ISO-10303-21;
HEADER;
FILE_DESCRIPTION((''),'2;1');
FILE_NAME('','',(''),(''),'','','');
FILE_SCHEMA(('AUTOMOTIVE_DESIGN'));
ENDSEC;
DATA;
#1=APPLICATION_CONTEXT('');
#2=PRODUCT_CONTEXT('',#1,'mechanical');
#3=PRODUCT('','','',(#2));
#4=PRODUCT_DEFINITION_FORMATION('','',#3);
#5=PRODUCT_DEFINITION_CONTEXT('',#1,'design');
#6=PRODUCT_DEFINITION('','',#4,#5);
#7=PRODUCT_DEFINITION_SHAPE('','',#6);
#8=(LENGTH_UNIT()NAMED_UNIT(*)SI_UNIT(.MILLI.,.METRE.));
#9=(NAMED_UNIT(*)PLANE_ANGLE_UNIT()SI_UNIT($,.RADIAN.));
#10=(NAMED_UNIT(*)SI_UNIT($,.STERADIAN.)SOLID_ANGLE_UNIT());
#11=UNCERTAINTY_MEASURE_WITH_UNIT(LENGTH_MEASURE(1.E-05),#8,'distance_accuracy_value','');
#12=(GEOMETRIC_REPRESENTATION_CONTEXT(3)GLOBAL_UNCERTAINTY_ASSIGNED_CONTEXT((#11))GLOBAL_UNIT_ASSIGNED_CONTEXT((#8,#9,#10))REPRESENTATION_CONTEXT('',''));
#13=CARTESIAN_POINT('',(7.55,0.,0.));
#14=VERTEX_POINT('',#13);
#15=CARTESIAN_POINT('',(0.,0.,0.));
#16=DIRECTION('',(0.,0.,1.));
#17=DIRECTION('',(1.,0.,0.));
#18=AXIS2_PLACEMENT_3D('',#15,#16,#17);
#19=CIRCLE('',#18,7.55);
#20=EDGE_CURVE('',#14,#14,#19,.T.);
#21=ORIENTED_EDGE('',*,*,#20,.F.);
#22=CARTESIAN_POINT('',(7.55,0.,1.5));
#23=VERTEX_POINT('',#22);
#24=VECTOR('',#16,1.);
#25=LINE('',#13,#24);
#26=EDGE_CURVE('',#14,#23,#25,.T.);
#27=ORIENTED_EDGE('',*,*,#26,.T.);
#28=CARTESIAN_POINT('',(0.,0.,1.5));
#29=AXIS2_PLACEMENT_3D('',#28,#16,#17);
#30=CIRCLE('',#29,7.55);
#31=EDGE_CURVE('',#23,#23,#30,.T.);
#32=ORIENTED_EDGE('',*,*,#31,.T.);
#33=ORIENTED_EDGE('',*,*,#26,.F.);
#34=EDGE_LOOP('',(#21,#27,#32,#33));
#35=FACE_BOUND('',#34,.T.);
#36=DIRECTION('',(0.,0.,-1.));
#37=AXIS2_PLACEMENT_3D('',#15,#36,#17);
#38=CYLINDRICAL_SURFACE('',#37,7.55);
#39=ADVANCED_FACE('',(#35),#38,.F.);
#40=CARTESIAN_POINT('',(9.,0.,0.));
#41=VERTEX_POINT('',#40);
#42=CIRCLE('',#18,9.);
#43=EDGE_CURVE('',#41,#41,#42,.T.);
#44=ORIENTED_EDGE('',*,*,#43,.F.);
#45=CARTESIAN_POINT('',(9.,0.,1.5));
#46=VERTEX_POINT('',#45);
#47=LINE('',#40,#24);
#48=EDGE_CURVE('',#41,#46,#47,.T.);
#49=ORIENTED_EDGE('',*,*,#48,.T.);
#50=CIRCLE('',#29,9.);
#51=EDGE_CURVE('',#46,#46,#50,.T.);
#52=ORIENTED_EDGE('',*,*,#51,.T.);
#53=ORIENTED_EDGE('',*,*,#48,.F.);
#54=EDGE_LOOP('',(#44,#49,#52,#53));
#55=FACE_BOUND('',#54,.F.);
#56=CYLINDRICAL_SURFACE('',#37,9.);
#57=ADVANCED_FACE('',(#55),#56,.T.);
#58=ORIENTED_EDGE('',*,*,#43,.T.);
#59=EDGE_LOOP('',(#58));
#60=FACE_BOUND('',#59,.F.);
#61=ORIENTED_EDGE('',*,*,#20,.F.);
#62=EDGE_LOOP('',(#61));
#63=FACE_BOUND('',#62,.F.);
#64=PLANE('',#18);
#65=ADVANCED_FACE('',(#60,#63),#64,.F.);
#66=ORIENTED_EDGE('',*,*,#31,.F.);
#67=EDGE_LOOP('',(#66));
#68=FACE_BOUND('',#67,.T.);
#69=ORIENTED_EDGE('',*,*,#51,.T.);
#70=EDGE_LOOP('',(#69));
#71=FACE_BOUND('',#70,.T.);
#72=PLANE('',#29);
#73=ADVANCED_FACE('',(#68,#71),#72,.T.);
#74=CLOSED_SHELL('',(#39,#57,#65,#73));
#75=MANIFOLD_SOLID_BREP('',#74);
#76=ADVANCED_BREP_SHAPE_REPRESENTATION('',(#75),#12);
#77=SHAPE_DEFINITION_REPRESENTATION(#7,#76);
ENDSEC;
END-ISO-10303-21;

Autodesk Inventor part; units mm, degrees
ref_plane "YZ Plane" through (0, 0, 0) normal (1, 0, 0) x (0, 1, 0)
ref_plane "XZ Plane" through (0, 0, 0) normal (0, 1, 0) x (-1, 0, 0)
ref_plane "XY Plane" through (0, 0, 0) normal (0, 0, 1) x (1, 0, 0)
sketch "Sketch1" plane through (0, 0, 0) normal (0, 0, 1) x (1, 0, 0)
  circle A0 centre (0, 0) radius 7.55
  circle A1 centre (0, 0) radius 9
  dimension "d0" = 15.1
  dimension "d2" = 18
extrude "Extrusion1" add sketch "Sketch1" along normal blind 1.5
properties part number "big washer"
